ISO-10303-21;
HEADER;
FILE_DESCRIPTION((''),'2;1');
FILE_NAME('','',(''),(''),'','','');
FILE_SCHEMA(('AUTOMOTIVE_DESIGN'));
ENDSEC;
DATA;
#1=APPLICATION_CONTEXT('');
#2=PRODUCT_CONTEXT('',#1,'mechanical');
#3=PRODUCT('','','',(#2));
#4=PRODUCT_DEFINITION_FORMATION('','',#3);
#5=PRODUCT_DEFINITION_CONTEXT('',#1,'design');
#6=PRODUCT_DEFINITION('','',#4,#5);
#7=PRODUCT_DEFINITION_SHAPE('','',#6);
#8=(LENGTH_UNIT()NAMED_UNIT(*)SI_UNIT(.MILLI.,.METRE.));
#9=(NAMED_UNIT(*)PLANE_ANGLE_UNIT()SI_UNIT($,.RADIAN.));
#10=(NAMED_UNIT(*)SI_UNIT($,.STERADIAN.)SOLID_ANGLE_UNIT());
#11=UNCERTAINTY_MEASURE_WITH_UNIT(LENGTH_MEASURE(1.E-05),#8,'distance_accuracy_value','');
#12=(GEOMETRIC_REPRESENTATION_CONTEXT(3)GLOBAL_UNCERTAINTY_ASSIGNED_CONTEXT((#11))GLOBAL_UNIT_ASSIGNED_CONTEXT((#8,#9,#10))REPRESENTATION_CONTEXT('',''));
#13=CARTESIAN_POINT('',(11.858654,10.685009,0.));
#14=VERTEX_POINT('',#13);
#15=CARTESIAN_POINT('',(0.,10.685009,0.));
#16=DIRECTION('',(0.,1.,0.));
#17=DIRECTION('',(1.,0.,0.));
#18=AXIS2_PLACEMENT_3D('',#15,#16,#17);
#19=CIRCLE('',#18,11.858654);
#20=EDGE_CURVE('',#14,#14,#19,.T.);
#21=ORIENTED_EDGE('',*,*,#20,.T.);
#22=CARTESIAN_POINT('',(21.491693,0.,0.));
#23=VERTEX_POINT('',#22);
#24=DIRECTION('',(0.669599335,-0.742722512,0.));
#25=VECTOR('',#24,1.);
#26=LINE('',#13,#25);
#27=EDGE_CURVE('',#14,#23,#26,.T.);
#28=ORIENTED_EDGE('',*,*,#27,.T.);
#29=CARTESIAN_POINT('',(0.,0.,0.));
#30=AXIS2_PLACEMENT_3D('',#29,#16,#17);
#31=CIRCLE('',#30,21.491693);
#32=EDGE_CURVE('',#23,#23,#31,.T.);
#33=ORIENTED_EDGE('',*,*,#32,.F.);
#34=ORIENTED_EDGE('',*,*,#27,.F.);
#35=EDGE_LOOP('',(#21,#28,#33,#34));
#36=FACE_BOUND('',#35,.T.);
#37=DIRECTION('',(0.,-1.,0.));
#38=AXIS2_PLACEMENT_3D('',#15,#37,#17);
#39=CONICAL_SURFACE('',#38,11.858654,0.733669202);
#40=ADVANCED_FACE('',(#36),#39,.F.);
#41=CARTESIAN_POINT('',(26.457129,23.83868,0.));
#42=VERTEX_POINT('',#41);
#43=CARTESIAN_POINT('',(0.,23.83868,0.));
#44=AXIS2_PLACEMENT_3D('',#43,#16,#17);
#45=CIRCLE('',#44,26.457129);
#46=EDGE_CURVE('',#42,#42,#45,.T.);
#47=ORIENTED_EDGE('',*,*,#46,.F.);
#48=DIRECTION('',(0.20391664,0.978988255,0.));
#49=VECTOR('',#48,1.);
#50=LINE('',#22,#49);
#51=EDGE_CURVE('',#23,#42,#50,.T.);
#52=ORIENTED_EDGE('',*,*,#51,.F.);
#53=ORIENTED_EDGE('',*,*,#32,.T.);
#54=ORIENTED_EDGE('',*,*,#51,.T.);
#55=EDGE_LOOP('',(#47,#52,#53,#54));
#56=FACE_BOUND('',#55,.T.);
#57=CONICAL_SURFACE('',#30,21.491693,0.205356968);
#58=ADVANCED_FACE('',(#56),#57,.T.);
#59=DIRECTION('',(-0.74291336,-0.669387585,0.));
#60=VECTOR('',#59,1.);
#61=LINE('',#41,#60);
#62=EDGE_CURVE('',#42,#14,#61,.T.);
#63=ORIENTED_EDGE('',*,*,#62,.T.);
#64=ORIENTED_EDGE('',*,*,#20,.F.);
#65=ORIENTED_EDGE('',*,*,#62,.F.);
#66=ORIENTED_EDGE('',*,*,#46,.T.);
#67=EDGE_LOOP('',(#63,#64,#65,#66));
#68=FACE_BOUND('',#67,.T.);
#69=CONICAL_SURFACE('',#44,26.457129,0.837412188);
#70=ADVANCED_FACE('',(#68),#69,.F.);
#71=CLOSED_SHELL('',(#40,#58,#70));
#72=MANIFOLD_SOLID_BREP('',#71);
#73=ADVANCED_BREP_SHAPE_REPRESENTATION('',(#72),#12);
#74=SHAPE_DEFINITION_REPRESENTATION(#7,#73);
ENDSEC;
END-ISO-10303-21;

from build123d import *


with BuildPart() as f2:
    # F0 (on Top) → F2 (revolve)
    with BuildSketch(Plane.XY):
        Polygon((26.457129, 23.83868), (11.858654, 10.685009), (21.491693, 0), align=None)
    revolve(axis=Axis((0, 11.91934, 0), (0, 1, 0)))


solid = f2.part
